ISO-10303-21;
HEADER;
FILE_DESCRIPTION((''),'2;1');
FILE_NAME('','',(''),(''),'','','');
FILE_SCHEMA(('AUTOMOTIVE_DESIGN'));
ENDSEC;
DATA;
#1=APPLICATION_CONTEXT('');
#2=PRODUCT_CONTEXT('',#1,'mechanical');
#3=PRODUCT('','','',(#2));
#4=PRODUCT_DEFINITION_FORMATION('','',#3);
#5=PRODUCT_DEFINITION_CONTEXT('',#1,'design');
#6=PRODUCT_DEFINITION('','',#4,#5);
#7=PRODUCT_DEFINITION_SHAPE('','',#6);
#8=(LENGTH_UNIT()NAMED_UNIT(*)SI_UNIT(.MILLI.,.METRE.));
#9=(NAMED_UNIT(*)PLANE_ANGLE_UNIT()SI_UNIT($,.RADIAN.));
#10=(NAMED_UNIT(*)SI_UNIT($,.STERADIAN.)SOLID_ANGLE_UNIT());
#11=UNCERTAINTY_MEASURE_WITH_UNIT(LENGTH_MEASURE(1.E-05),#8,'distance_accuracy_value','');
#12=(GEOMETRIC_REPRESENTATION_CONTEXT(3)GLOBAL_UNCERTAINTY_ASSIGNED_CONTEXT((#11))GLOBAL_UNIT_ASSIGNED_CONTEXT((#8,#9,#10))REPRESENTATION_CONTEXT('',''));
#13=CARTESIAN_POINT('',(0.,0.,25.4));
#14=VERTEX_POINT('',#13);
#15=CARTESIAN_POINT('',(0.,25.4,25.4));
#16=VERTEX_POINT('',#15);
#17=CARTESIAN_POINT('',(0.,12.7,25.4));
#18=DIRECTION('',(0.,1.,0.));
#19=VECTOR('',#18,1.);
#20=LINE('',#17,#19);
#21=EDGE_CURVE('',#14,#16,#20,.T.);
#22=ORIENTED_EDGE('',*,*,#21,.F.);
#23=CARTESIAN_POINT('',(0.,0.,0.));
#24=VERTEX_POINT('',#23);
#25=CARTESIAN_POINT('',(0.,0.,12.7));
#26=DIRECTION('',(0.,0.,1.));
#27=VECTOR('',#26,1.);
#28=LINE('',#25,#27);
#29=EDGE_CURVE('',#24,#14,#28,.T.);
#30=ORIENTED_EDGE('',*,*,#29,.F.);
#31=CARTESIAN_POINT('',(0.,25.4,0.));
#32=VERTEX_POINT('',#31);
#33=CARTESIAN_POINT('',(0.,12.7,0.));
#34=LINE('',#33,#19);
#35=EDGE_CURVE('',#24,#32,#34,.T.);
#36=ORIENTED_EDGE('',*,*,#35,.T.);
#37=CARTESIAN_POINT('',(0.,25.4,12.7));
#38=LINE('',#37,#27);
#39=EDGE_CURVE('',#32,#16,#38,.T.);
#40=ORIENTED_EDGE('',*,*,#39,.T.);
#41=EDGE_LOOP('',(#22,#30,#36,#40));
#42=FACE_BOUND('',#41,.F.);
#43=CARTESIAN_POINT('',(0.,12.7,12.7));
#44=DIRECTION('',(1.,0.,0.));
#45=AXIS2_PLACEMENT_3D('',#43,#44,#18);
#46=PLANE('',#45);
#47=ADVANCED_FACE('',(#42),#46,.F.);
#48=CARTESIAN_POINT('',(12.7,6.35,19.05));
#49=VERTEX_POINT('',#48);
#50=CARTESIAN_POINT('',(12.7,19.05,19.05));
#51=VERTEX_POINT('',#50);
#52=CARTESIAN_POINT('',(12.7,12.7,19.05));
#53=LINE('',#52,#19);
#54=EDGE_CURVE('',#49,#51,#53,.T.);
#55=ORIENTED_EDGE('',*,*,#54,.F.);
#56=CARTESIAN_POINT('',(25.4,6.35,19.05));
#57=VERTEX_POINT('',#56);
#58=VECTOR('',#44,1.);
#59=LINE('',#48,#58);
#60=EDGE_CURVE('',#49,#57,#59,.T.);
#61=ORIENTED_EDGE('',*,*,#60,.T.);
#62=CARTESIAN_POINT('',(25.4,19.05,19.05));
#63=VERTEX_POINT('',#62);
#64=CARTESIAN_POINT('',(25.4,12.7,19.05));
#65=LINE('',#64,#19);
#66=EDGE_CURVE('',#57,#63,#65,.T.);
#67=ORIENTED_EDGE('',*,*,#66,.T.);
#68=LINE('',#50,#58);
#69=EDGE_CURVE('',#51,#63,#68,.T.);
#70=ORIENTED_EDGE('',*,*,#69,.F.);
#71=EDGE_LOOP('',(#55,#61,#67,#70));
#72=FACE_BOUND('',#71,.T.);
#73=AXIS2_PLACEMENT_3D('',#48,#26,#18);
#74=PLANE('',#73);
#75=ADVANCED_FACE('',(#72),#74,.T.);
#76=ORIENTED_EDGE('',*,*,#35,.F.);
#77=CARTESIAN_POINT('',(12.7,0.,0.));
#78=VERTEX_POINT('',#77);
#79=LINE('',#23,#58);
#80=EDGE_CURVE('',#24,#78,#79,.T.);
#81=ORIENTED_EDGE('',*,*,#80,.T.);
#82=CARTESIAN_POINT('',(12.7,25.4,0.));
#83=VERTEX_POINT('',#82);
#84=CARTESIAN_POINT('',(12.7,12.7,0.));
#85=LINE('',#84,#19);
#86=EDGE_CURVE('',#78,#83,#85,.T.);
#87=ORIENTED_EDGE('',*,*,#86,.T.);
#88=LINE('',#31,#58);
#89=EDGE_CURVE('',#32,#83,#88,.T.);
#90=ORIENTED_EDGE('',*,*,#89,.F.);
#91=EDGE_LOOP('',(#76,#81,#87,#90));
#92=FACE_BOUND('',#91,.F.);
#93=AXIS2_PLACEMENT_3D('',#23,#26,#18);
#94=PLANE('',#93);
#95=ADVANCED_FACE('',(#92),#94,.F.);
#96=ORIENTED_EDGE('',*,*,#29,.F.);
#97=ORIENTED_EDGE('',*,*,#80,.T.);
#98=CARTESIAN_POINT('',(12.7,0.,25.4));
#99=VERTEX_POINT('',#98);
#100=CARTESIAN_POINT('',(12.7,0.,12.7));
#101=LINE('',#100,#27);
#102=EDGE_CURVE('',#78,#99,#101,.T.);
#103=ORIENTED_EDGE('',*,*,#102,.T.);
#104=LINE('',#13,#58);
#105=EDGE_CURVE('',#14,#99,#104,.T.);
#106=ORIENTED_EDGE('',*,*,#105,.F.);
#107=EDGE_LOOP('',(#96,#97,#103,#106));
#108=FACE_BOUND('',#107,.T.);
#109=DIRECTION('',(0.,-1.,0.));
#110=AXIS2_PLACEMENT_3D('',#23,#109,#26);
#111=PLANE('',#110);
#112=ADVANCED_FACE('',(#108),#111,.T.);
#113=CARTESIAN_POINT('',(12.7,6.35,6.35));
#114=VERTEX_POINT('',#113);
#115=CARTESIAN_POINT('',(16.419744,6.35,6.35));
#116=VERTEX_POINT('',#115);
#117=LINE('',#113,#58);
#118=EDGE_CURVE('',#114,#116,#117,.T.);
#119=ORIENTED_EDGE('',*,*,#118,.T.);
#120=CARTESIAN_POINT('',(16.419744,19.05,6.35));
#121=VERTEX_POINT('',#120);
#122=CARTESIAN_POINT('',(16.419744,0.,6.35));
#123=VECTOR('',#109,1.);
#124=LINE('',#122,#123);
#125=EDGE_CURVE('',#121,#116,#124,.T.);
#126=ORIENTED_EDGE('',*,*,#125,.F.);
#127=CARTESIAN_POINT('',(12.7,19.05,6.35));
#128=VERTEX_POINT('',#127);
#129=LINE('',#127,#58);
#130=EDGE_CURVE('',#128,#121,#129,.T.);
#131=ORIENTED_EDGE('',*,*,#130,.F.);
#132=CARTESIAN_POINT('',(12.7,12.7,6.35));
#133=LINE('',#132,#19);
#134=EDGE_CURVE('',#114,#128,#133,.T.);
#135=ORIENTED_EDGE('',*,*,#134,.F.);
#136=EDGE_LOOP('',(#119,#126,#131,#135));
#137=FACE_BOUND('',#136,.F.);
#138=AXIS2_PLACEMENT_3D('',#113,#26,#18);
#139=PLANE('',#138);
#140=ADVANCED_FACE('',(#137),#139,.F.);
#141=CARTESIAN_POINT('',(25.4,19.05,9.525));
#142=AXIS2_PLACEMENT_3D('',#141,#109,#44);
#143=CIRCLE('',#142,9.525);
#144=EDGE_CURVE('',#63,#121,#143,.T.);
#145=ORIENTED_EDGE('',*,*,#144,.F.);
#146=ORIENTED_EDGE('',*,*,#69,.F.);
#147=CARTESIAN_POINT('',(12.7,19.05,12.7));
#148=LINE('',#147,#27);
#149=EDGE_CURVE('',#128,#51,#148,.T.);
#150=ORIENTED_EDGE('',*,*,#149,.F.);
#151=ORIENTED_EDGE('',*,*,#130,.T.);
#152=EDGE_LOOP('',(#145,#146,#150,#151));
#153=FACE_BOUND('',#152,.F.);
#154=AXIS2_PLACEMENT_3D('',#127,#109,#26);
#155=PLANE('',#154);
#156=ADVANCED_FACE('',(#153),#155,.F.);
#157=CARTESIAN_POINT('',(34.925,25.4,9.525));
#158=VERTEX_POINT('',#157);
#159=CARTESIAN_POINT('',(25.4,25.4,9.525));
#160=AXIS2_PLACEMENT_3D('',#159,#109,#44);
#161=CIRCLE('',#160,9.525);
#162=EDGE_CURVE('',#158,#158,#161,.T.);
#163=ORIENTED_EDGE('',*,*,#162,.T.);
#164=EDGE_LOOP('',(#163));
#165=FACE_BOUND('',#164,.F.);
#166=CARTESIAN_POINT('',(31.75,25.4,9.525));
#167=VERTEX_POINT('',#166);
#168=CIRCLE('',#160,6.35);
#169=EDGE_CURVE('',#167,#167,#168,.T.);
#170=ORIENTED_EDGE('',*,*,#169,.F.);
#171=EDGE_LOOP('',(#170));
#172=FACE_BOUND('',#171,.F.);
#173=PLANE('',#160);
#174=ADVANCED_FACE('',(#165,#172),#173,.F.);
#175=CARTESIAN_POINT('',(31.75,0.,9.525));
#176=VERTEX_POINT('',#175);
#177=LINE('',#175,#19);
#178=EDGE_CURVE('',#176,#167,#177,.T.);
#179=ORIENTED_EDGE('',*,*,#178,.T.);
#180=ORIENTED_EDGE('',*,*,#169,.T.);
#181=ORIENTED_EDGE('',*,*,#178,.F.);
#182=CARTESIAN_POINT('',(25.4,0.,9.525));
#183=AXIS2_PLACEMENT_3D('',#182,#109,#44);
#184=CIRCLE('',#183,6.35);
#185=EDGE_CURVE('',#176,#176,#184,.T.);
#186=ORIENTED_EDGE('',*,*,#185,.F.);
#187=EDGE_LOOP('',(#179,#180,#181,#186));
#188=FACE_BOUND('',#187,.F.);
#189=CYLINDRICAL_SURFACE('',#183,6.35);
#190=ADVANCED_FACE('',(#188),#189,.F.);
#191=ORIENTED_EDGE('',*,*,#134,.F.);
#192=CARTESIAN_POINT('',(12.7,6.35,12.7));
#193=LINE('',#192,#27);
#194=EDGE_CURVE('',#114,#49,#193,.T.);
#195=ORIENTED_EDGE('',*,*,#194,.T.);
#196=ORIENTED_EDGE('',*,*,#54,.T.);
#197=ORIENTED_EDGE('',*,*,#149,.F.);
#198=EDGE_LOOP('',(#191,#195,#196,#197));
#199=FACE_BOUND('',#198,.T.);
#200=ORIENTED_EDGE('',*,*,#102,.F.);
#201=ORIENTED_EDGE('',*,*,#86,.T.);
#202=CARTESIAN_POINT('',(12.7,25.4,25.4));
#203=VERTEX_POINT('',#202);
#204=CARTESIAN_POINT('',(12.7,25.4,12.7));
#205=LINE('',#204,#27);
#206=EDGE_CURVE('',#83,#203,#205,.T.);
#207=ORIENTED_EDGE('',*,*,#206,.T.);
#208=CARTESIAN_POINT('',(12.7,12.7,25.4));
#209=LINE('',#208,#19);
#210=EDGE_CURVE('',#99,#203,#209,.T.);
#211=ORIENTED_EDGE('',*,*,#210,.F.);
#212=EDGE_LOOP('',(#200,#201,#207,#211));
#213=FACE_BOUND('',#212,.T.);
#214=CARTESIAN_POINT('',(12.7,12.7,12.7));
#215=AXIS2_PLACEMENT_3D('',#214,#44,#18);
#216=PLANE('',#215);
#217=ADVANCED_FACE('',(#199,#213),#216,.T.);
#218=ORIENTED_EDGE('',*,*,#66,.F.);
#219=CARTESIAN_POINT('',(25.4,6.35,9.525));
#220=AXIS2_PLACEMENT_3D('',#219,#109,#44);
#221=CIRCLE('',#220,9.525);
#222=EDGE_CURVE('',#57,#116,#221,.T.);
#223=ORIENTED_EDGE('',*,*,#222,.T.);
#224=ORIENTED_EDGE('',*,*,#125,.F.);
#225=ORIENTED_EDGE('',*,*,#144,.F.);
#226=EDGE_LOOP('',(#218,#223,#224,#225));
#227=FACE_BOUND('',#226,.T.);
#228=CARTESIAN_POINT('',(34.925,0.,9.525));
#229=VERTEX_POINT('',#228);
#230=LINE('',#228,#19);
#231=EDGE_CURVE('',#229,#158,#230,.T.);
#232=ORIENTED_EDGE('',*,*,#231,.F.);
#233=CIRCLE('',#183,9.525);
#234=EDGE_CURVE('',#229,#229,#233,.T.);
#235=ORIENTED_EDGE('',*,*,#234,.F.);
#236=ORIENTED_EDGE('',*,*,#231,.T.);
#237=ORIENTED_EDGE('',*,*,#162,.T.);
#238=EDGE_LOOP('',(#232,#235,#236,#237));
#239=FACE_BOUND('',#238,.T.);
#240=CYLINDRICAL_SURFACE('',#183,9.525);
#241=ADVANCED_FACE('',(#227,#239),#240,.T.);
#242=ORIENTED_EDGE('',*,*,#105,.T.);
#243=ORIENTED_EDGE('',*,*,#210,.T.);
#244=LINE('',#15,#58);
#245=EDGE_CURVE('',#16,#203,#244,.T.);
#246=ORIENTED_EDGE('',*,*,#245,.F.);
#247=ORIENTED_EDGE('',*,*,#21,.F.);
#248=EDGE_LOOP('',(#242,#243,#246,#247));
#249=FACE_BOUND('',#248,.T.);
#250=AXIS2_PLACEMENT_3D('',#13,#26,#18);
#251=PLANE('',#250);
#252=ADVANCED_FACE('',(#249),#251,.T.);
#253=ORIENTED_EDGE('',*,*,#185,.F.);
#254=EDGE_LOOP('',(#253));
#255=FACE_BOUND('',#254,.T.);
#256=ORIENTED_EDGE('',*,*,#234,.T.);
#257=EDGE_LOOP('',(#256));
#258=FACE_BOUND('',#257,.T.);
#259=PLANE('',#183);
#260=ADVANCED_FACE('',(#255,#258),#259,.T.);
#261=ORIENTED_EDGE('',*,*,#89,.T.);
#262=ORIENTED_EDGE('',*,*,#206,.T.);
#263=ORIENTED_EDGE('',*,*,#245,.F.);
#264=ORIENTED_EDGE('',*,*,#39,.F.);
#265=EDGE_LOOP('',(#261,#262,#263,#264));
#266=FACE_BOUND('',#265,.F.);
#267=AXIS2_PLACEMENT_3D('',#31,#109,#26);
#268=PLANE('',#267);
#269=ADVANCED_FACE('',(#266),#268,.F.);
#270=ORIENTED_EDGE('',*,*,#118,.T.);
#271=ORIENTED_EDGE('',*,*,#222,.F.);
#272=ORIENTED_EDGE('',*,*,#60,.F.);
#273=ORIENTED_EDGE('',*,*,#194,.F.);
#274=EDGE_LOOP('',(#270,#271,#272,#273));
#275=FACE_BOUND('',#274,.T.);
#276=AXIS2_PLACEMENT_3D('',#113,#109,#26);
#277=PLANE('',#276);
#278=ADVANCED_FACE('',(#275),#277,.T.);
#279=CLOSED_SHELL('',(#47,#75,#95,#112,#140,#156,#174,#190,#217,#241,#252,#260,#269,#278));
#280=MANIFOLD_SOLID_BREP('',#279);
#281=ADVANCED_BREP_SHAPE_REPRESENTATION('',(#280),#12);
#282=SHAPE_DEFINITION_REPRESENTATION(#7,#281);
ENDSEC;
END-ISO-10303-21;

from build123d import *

# Parameters (mm, degrees)
F0_W     = 25.4
F0_H     = 25.4
F1_DEPTH = 12.7
F2_W     = 12.7
F2_H     = 12.7
F3_DEPTH = 12.7
F4_R     = 9.525
F5_DEPTH = 25.4
F6_R     = 6.35
F7_DEPTH = 25.4


with BuildPart() as f1:
    # F0 (on Right) → F1 (new body)
    with BuildSketch(Plane.YZ):
        with Locations((12.7, 12.7)):
            Rectangle(F0_W, F0_H)
    extrude(amount=F1_DEPTH)

    # F2 (on face) → F3 (join)
    with BuildSketch(Plane.YZ.offset(12.7)):
        with Locations((12.7, 12.7)):
            Rectangle(F2_W, F2_H)
    extrude(amount=F3_DEPTH)

    # F4 (on Front) → F5 (join)
    with BuildSketch(Plane.XZ):
        with Locations((25.4, 9.525)):
            Circle(F4_R)
    extrude(amount=-F5_DEPTH)

    # F6 (on face) → F7 (cut)
    with BuildSketch(Plane.XZ):
        with Locations((25.4, 9.525)):
            Circle(F6_R)
    extrude(amount=-F7_DEPTH, mode=Mode.SUBTRACT)


solid = f1.part
